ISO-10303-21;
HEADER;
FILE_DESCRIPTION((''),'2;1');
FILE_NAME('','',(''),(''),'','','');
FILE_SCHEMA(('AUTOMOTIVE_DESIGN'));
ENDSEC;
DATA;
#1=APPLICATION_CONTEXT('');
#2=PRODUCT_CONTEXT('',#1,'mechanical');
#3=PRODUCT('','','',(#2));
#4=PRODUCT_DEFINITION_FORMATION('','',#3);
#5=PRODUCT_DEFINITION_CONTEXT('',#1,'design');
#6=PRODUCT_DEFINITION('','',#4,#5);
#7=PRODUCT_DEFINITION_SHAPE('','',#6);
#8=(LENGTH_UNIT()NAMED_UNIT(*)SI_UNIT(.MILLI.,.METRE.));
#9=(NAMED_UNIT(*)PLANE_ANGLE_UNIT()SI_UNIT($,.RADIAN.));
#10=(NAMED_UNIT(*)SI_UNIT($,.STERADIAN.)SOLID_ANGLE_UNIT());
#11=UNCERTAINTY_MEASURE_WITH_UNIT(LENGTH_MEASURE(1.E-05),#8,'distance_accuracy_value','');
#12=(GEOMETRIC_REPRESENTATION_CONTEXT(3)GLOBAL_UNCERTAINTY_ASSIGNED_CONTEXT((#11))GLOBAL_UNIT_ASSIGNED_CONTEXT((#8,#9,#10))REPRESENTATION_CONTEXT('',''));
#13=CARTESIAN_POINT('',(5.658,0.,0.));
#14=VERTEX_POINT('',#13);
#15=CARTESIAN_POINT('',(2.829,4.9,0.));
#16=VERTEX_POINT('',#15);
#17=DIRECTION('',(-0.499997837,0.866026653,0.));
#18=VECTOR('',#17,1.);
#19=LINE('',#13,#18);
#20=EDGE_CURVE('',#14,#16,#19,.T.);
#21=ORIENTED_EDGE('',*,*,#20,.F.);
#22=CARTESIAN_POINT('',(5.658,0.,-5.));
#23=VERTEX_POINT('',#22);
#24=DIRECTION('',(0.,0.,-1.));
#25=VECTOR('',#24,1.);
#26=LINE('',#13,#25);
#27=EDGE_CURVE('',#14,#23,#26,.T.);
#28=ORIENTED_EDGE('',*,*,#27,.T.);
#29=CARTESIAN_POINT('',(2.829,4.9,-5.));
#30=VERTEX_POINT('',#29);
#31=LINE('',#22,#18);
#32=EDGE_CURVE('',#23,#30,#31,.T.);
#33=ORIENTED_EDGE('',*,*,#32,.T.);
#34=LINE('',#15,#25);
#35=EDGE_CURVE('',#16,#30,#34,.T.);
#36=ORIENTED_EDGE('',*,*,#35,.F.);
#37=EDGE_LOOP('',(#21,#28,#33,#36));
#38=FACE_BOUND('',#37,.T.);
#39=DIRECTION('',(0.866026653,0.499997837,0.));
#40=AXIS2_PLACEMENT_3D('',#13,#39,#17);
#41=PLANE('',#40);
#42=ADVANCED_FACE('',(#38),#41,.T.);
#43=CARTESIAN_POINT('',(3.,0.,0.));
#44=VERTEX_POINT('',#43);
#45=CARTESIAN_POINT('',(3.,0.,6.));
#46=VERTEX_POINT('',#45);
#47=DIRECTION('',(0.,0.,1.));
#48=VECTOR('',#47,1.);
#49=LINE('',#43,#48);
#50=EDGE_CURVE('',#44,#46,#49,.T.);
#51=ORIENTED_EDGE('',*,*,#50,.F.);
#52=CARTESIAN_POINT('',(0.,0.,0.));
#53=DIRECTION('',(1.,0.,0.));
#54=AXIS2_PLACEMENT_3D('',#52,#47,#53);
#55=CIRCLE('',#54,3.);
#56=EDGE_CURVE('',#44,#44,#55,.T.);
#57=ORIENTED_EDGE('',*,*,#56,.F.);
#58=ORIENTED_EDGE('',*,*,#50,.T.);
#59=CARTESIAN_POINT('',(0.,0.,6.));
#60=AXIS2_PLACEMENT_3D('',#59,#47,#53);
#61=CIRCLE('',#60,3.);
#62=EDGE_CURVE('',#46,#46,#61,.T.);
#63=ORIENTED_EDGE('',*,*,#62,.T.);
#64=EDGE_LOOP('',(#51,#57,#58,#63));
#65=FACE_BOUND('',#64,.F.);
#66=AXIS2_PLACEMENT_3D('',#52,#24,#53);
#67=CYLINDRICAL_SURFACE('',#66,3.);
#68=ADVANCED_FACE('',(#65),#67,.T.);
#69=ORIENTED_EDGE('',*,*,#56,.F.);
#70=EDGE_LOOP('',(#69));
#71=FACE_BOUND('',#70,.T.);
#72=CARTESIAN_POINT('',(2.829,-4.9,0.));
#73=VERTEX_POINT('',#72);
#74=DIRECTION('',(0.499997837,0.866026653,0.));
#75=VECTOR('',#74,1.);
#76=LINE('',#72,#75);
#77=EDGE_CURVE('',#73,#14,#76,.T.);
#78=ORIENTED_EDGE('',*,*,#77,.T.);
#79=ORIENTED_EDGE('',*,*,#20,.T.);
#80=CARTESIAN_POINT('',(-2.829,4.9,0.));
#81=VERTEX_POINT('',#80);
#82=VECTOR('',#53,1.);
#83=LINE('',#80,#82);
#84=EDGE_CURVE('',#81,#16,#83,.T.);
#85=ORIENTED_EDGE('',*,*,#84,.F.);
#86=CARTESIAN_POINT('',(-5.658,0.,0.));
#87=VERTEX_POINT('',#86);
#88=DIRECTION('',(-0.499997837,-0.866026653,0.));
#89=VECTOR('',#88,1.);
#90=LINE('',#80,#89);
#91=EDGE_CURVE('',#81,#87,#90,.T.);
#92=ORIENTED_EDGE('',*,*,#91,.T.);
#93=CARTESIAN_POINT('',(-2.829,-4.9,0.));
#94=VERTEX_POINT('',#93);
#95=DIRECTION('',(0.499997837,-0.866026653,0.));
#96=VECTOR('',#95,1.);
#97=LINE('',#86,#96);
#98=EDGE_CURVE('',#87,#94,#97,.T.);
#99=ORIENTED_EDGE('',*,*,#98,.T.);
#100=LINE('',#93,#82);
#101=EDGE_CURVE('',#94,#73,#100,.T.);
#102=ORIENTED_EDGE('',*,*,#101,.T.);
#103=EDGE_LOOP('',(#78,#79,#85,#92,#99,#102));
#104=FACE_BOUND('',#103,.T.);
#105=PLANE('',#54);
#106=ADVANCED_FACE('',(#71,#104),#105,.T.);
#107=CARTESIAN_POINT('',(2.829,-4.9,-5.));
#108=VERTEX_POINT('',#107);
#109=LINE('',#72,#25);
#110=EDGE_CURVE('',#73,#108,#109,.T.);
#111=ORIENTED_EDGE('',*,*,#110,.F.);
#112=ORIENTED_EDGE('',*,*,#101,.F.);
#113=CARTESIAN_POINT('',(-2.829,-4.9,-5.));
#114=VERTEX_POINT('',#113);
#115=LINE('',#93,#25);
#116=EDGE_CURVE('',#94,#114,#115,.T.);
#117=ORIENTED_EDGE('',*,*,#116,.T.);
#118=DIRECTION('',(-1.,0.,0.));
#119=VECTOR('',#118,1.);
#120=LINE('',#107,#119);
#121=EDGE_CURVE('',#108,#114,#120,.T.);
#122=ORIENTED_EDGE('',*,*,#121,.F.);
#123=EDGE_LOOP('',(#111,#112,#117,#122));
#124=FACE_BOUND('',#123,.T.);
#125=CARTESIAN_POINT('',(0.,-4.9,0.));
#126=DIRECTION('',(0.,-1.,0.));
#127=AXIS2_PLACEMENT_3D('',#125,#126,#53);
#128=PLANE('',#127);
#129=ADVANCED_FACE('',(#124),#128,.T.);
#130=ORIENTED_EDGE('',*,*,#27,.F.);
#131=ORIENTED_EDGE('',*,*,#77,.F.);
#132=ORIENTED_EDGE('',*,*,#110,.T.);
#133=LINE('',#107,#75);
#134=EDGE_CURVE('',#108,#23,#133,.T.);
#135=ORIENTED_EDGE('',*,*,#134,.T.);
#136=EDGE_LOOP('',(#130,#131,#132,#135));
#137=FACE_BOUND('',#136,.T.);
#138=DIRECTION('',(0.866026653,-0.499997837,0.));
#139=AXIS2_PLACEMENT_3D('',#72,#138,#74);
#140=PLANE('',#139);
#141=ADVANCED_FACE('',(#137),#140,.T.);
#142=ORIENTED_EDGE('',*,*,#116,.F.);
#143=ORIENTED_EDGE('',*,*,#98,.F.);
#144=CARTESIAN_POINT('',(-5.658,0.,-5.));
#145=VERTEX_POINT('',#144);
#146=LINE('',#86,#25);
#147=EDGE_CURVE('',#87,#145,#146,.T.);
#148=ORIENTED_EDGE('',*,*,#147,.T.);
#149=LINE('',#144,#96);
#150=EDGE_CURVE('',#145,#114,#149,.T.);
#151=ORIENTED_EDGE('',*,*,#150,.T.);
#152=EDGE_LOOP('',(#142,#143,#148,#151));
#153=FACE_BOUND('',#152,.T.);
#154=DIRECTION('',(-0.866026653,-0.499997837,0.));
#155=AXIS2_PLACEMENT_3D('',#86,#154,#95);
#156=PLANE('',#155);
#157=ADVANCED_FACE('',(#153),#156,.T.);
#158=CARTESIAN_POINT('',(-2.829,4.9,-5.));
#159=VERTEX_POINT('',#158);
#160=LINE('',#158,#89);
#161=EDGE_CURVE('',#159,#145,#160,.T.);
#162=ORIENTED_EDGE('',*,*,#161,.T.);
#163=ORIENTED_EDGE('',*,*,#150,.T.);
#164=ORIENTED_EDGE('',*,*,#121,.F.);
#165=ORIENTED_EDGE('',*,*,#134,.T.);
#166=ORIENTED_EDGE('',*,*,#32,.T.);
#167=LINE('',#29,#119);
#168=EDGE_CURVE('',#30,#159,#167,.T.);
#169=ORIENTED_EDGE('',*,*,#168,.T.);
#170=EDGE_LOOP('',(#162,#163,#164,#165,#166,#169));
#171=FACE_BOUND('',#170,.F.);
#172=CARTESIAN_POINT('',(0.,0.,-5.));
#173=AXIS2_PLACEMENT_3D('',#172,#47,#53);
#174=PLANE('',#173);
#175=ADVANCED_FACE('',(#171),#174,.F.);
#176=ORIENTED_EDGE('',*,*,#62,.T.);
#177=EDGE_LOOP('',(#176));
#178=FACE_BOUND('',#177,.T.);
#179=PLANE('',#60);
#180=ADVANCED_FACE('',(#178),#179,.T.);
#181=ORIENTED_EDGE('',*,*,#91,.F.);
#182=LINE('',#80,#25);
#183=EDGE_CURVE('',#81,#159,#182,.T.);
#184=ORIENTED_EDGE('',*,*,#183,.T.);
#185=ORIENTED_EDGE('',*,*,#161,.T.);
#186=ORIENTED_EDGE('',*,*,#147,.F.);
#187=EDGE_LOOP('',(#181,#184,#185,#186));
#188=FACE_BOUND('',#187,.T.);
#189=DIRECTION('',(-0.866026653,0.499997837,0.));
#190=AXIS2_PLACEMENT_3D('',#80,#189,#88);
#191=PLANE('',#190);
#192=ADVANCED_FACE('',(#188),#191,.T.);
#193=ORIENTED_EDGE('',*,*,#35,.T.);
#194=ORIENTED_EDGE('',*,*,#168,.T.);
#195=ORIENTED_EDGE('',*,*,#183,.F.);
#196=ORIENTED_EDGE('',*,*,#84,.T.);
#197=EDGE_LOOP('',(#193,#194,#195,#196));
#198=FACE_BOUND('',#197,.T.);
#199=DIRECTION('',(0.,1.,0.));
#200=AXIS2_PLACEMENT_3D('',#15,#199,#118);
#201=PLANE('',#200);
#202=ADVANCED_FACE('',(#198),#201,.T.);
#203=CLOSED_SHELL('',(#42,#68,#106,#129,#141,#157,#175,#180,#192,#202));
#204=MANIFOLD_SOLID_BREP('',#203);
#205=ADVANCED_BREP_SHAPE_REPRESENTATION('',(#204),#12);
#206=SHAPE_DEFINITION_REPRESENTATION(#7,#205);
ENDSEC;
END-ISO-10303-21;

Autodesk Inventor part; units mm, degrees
ref_plane "YZ Plane" through (0, 0, 0) normal (1, 0, 0) x (0, 1, 0)
ref_plane "XZ Plane" through (0, 0, 0) normal (0, 1, 0) x (-1, 0, 0)
ref_plane "XY Plane" through (0, 0, 0) normal (0, 0, 1) x (1, 0, 0)
sketch "Sketch1" plane through (0, 0, 0) normal (0, 0, 1) x (1, 0, 0)
  circle A0 centre (0, 0) radius 3
  dimension "d0" = 6
extrude "Extrusion1" add sketch "Sketch1" along normal blind 6
sketch "Sketch2" plane through (0, 0, 0) normal (0, 0, 1) x (1, 0, 0)
  circle A0 centre (0, 0) radius 4.9 construction
  line L0 (2.829, 4.9) -> (-2.829, 4.9)
  line L1 (0, -6.86) -> (0, 6.86) projected
  line L2 (-2.829, 4.9) -> (-5.658, 0)
  line L3 (-5.658, 0) -> (-2.829, -4.9)
  line L4 (-2.829, -4.9) -> (2.829, -4.9)
  line L5 (2.829, -4.9) -> (5.658, 0)
  line L6 (5.658, 0) -> (2.829, 4.9)
  point P0 (0, 4.9)
  point P1 (-4.2435, 2.45)
  point P2 (-4.2435, -2.45)
  point P3 (0, -4.9)
  point P4 (4.2435, -2.45)
  point P5 (4.2435, 2.45)
  point P6 (-5.658, 0)
  point P7 (5.658, 0)
  dimension "d3" = 9.8
  dimension "d6" = 360
extrude "Extrusion2" add sketch "Sketch2" against normal blind 5
thread "Thread1" size "M6x1" class "6g" standard "ANSI Metric M Profile" full length
properties part number "Screw"
